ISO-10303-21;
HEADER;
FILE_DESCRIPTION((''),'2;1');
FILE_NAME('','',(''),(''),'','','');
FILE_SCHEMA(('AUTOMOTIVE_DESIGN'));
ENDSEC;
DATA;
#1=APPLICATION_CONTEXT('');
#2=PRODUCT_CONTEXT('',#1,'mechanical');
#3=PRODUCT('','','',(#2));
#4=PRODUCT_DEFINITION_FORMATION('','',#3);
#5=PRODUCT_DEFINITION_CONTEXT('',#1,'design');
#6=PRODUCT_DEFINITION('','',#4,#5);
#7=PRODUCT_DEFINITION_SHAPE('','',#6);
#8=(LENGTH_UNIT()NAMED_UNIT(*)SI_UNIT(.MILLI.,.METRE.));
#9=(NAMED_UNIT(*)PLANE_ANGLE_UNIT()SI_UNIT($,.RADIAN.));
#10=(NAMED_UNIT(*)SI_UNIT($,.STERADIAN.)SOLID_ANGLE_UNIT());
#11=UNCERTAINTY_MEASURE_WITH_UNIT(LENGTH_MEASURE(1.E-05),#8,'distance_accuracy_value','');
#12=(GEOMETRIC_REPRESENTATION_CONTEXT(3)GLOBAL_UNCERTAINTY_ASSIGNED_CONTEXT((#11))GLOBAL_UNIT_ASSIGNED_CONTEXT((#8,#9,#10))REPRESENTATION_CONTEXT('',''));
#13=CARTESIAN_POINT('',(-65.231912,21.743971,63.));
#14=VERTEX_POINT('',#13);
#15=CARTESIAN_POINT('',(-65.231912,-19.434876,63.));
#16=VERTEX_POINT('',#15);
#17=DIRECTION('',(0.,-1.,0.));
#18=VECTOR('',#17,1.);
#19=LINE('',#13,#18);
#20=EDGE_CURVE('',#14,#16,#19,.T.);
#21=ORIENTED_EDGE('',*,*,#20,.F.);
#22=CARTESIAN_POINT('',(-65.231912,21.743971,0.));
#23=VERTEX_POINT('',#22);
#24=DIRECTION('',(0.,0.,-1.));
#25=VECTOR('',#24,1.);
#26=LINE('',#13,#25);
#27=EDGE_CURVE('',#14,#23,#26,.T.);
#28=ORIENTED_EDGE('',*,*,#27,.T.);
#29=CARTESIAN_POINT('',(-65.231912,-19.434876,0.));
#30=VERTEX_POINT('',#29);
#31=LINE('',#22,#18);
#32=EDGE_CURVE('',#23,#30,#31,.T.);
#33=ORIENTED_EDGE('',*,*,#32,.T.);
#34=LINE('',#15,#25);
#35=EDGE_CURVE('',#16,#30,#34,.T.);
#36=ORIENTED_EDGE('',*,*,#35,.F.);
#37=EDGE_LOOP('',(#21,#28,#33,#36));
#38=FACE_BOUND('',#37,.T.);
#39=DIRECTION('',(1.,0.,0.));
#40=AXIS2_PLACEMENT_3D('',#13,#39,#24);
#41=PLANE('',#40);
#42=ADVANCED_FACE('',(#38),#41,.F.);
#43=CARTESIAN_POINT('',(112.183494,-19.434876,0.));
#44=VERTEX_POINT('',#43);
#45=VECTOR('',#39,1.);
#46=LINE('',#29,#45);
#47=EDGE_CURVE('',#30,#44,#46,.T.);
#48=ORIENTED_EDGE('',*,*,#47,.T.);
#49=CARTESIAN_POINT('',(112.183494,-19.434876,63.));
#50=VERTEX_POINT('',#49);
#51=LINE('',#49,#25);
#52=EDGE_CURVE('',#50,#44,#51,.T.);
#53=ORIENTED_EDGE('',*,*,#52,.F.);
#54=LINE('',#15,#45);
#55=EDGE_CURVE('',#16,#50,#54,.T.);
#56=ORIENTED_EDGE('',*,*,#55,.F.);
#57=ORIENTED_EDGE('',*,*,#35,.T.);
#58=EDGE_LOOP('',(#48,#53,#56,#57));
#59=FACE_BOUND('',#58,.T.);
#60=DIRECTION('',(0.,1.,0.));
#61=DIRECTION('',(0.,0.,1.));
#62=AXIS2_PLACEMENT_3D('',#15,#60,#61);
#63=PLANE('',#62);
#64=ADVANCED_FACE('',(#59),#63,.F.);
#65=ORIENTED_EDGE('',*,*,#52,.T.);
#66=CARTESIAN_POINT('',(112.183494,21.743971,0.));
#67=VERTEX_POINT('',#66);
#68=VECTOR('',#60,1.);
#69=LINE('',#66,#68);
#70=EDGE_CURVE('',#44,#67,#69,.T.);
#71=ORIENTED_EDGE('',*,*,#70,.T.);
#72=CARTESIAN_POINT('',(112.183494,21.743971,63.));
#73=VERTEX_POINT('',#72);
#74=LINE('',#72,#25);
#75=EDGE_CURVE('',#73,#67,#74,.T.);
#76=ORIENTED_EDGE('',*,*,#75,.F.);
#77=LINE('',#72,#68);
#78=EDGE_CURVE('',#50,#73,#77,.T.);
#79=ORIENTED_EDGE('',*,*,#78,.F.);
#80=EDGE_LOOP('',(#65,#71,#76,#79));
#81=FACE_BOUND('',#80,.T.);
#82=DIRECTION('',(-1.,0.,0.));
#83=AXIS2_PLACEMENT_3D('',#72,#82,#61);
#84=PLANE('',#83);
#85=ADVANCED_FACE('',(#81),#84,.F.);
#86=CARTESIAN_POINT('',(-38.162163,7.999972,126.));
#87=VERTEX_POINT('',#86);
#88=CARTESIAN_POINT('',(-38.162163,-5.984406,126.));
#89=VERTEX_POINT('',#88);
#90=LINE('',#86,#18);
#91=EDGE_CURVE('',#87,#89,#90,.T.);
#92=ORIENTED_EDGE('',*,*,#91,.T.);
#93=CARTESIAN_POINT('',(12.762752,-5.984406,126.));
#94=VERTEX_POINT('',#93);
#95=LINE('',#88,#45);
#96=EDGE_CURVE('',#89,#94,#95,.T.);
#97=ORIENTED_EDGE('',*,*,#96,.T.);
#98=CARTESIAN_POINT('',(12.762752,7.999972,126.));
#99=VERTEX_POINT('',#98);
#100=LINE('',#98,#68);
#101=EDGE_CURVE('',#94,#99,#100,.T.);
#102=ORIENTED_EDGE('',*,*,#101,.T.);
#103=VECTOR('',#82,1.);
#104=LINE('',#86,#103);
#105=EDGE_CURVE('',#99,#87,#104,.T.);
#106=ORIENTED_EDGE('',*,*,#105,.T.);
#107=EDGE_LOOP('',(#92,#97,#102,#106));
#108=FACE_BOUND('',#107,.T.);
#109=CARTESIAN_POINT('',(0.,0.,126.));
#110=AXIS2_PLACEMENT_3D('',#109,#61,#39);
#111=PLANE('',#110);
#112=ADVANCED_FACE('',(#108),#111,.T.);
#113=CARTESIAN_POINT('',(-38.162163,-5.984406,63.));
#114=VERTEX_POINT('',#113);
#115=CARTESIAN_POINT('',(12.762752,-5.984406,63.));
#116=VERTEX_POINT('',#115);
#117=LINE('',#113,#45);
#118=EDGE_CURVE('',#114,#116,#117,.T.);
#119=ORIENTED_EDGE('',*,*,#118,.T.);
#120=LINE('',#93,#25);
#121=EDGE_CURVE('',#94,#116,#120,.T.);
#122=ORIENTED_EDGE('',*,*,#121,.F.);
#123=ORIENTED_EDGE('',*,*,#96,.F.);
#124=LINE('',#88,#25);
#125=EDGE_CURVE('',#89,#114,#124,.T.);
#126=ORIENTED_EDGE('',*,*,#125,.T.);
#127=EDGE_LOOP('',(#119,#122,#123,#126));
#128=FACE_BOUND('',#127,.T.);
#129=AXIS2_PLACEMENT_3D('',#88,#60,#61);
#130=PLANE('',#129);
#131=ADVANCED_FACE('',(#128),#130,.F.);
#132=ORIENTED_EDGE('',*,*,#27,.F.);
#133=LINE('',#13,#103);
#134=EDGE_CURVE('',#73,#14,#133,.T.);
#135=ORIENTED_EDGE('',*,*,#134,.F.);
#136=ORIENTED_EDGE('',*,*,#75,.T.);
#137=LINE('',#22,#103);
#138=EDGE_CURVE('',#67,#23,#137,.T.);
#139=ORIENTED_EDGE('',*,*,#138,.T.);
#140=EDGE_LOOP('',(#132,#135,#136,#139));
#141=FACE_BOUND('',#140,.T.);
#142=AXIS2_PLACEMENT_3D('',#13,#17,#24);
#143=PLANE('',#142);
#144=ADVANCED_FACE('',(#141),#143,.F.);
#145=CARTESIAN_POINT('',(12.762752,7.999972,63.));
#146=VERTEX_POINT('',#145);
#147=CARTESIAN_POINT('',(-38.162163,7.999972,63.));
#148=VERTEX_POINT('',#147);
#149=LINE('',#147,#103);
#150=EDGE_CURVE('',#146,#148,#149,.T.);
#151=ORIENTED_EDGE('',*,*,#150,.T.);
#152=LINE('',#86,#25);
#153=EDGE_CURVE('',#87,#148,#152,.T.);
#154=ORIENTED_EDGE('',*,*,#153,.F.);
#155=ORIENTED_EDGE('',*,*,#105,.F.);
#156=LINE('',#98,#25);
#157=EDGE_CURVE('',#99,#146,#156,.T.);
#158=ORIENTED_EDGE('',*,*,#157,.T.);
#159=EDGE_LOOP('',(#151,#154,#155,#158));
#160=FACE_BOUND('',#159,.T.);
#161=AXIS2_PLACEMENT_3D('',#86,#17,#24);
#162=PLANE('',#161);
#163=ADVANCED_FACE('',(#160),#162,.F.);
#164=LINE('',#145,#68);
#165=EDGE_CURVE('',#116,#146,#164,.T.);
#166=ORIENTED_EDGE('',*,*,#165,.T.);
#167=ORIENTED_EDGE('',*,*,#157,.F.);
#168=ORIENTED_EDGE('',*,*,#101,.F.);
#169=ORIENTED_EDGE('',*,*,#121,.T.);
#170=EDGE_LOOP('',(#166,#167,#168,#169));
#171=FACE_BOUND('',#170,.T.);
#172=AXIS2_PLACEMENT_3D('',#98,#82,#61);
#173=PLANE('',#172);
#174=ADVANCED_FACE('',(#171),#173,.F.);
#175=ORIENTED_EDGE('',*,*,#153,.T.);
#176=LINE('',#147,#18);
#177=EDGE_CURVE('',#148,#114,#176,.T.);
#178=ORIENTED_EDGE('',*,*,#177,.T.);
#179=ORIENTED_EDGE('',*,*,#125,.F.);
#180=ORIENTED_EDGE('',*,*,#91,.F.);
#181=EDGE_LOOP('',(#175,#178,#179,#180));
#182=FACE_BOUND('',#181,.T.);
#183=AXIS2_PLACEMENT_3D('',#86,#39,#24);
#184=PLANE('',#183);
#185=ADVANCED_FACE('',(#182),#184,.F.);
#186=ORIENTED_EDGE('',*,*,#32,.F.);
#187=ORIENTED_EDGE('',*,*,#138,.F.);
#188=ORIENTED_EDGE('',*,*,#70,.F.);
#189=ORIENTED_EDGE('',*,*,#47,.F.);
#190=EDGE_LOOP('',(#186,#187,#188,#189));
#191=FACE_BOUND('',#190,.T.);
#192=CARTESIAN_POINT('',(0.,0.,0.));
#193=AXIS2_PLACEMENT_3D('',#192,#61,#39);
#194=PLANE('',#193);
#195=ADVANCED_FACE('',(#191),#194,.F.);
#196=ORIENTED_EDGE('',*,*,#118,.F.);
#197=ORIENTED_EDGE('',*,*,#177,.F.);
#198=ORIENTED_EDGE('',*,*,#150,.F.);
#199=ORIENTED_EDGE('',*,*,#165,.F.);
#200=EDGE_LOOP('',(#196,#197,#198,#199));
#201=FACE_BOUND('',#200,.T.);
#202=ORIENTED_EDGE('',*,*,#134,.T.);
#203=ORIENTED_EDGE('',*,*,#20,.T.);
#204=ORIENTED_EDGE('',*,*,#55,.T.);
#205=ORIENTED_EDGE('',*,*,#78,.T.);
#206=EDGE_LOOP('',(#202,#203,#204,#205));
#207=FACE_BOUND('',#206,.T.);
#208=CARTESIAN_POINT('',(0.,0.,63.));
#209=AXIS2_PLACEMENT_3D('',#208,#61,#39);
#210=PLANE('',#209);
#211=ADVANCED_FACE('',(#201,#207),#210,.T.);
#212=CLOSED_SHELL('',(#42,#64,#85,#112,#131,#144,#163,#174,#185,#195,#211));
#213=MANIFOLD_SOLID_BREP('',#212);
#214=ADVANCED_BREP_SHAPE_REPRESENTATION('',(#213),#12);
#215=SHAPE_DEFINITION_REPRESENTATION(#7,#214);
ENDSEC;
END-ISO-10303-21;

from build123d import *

# Parameters (mm, degrees)
SKETCH1_W           = 177.41540553
SKETCH1_H           = 41.178846837
BOSS_EXTRUDE1_DEPTH = 63
SKETCH2_W           = 50.924914576
SKETCH2_H           = 13.984377767
BOSS_EXTRUDE2_DEPTH = 63


with BuildPart() as part:
    # Sketch1 → Boss-Extrude1 (new body)
    with BuildSketch(Plane.XY):
        with Locations((23.475791187, 1.154547108)):
            Rectangle(SKETCH1_W, SKETCH1_H)
    extrude(amount=BOSS_EXTRUDE1_DEPTH)

    # Sketch2 → Boss-Extrude2 (add)
    with BuildSketch(Plane.XY.offset(63)):
        with Locations((-12.699705552, 1.007783221)):
            Rectangle(SKETCH2_W, SKETCH2_H)
    extrude(amount=BOSS_EXTRUDE2_DEPTH)


solid = part.part
